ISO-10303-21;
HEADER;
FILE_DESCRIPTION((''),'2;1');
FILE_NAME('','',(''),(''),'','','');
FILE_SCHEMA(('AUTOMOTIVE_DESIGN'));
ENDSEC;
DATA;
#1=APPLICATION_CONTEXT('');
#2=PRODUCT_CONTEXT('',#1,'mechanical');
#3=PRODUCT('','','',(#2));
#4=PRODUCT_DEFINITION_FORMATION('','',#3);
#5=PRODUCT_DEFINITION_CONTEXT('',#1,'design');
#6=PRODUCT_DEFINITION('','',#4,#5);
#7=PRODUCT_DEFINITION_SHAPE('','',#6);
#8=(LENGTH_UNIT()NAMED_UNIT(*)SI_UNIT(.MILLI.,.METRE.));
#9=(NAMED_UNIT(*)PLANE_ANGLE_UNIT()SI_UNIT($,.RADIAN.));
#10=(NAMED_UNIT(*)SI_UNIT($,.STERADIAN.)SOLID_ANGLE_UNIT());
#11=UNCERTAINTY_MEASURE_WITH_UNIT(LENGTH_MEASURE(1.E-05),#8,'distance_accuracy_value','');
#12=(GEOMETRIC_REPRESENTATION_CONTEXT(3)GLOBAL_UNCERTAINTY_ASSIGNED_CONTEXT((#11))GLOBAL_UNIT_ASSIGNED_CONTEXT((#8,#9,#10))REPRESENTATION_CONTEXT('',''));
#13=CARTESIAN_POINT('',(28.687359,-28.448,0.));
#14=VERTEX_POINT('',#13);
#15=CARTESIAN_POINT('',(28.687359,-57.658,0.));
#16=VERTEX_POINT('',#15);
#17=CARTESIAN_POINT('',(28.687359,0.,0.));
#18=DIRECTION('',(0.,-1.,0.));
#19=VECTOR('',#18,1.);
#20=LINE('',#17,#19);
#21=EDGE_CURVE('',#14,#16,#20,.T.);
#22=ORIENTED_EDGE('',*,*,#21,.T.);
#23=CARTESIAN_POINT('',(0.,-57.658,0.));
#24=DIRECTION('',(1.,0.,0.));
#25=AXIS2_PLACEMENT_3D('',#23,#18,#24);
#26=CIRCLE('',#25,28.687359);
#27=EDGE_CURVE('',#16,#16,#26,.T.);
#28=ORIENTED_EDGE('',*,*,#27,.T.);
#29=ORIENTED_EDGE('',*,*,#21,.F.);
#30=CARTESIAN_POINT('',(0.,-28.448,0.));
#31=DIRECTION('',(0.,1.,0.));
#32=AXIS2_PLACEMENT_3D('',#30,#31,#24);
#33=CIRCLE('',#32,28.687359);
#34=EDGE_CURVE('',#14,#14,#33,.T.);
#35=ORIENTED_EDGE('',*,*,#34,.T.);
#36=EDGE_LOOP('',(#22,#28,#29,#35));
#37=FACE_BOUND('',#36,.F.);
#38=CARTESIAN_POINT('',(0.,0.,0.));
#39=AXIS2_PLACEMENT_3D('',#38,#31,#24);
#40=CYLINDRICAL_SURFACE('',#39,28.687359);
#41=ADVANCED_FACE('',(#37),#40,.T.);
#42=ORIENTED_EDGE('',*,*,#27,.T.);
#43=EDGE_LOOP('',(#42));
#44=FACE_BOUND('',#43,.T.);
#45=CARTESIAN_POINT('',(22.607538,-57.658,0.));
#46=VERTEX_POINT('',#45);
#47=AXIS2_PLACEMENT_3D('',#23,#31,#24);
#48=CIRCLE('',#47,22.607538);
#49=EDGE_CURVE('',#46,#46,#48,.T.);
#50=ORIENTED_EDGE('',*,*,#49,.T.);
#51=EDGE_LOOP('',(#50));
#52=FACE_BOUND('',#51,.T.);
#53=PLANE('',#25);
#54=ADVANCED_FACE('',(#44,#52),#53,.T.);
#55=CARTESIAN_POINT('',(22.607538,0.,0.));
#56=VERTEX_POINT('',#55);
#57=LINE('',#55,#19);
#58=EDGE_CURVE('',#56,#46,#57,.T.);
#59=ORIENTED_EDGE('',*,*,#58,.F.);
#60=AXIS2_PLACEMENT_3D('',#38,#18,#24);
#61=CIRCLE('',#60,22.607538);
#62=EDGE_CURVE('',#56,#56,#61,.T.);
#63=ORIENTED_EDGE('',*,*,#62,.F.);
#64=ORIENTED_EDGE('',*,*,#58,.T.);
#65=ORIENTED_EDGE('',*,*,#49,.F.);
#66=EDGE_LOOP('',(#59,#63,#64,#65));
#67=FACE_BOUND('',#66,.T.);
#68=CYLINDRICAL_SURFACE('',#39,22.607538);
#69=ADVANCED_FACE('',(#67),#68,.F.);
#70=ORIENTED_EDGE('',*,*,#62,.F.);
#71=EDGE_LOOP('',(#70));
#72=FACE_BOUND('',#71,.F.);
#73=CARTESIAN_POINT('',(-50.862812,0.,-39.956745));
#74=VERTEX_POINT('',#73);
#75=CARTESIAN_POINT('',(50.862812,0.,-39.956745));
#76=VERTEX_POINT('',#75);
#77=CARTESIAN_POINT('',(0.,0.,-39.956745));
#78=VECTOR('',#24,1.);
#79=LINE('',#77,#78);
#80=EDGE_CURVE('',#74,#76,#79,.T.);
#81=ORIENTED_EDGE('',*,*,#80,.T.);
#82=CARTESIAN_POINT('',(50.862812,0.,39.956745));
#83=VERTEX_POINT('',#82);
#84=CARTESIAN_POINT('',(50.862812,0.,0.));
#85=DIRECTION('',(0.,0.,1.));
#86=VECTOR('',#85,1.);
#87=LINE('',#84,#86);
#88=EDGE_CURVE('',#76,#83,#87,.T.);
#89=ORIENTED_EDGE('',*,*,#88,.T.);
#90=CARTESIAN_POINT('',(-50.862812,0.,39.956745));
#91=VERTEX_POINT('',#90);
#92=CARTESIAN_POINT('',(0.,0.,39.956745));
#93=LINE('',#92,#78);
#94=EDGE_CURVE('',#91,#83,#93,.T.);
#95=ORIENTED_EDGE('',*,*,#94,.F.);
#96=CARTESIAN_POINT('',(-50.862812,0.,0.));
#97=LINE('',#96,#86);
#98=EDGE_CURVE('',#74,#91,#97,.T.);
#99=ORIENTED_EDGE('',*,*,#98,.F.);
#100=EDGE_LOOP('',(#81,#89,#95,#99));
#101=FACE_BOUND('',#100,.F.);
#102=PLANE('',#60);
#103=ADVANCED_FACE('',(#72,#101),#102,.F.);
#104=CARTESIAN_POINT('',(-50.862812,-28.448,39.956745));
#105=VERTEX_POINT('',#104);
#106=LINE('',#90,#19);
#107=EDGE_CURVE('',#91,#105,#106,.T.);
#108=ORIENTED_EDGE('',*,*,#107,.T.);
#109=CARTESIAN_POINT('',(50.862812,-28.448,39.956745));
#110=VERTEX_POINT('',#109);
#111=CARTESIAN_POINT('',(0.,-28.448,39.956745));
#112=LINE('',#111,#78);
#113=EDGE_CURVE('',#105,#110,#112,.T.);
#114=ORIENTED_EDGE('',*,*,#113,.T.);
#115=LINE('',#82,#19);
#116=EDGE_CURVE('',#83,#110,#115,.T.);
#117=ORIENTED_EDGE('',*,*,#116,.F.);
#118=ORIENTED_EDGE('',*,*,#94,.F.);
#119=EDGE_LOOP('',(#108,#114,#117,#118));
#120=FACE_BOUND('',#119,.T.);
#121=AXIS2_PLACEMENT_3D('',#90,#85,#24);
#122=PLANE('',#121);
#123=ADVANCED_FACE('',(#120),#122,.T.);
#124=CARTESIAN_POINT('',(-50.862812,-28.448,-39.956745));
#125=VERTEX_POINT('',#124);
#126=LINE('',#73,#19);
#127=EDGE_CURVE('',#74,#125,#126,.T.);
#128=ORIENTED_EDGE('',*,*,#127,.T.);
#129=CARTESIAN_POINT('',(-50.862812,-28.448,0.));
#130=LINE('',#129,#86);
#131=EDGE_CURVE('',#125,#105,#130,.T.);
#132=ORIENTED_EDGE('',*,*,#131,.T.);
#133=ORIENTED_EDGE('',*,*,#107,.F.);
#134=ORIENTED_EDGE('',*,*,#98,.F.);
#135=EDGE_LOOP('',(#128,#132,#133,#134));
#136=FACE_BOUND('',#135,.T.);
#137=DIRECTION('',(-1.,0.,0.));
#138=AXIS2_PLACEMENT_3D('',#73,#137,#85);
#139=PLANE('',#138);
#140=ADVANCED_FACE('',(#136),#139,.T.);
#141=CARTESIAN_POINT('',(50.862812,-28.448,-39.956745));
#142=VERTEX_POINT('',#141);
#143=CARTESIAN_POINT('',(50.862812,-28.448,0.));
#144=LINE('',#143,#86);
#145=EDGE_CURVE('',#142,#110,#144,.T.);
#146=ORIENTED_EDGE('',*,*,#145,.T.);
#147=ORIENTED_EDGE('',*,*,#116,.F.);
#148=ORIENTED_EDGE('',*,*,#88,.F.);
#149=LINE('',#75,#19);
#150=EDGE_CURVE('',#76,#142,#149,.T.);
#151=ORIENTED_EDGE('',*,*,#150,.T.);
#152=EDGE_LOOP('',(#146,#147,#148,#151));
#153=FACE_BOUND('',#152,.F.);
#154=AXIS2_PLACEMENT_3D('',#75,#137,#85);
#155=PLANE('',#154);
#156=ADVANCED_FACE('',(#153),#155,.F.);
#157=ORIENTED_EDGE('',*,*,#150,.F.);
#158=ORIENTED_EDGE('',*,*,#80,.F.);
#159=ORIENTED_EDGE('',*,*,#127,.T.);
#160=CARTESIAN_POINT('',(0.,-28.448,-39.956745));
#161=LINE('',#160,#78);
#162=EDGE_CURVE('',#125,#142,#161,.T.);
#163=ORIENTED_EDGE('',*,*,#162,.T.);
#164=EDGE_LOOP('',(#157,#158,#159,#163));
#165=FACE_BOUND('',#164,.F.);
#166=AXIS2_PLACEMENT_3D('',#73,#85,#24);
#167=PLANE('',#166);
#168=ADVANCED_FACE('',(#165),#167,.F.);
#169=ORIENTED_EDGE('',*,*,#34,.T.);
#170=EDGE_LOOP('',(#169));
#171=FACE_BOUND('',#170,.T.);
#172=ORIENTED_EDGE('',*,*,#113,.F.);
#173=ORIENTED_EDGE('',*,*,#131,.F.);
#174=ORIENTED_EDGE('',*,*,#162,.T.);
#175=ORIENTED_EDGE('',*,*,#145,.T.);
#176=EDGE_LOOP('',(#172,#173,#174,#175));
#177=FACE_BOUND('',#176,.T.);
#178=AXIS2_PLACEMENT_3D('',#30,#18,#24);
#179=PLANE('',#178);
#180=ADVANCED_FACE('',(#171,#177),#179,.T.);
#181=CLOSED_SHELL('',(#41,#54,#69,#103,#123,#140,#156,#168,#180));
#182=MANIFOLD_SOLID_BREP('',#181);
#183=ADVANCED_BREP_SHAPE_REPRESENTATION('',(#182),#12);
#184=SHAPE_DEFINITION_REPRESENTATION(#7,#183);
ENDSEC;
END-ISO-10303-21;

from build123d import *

# Parameters (mm, degrees)
F0_W     = 101.725624
F0_H     = 79.91349
F1_DEPTH = 28.448
F2_R     = 28.687359
F3_DEPTH = 57.658
F4_R     = 22.607538
F5_DEPTH = 70.866


with BuildPart() as f1:
    # F0 (on Front) → F1 (new body)
    with BuildSketch(Plane.XZ):
        Rectangle(F0_W, F0_H)
    extrude(amount=F1_DEPTH)

    # F2 (on Front) → F3 (join)
    with BuildSketch(Plane.XZ):
        Circle(F2_R)
    extrude(amount=F3_DEPTH)

    # F4 (on Front) → F5 (cut)
    with BuildSketch(Plane.XZ):
        Circle(F4_R)
    extrude(amount=F5_DEPTH, mode=Mode.SUBTRACT)


solid = f1.part
